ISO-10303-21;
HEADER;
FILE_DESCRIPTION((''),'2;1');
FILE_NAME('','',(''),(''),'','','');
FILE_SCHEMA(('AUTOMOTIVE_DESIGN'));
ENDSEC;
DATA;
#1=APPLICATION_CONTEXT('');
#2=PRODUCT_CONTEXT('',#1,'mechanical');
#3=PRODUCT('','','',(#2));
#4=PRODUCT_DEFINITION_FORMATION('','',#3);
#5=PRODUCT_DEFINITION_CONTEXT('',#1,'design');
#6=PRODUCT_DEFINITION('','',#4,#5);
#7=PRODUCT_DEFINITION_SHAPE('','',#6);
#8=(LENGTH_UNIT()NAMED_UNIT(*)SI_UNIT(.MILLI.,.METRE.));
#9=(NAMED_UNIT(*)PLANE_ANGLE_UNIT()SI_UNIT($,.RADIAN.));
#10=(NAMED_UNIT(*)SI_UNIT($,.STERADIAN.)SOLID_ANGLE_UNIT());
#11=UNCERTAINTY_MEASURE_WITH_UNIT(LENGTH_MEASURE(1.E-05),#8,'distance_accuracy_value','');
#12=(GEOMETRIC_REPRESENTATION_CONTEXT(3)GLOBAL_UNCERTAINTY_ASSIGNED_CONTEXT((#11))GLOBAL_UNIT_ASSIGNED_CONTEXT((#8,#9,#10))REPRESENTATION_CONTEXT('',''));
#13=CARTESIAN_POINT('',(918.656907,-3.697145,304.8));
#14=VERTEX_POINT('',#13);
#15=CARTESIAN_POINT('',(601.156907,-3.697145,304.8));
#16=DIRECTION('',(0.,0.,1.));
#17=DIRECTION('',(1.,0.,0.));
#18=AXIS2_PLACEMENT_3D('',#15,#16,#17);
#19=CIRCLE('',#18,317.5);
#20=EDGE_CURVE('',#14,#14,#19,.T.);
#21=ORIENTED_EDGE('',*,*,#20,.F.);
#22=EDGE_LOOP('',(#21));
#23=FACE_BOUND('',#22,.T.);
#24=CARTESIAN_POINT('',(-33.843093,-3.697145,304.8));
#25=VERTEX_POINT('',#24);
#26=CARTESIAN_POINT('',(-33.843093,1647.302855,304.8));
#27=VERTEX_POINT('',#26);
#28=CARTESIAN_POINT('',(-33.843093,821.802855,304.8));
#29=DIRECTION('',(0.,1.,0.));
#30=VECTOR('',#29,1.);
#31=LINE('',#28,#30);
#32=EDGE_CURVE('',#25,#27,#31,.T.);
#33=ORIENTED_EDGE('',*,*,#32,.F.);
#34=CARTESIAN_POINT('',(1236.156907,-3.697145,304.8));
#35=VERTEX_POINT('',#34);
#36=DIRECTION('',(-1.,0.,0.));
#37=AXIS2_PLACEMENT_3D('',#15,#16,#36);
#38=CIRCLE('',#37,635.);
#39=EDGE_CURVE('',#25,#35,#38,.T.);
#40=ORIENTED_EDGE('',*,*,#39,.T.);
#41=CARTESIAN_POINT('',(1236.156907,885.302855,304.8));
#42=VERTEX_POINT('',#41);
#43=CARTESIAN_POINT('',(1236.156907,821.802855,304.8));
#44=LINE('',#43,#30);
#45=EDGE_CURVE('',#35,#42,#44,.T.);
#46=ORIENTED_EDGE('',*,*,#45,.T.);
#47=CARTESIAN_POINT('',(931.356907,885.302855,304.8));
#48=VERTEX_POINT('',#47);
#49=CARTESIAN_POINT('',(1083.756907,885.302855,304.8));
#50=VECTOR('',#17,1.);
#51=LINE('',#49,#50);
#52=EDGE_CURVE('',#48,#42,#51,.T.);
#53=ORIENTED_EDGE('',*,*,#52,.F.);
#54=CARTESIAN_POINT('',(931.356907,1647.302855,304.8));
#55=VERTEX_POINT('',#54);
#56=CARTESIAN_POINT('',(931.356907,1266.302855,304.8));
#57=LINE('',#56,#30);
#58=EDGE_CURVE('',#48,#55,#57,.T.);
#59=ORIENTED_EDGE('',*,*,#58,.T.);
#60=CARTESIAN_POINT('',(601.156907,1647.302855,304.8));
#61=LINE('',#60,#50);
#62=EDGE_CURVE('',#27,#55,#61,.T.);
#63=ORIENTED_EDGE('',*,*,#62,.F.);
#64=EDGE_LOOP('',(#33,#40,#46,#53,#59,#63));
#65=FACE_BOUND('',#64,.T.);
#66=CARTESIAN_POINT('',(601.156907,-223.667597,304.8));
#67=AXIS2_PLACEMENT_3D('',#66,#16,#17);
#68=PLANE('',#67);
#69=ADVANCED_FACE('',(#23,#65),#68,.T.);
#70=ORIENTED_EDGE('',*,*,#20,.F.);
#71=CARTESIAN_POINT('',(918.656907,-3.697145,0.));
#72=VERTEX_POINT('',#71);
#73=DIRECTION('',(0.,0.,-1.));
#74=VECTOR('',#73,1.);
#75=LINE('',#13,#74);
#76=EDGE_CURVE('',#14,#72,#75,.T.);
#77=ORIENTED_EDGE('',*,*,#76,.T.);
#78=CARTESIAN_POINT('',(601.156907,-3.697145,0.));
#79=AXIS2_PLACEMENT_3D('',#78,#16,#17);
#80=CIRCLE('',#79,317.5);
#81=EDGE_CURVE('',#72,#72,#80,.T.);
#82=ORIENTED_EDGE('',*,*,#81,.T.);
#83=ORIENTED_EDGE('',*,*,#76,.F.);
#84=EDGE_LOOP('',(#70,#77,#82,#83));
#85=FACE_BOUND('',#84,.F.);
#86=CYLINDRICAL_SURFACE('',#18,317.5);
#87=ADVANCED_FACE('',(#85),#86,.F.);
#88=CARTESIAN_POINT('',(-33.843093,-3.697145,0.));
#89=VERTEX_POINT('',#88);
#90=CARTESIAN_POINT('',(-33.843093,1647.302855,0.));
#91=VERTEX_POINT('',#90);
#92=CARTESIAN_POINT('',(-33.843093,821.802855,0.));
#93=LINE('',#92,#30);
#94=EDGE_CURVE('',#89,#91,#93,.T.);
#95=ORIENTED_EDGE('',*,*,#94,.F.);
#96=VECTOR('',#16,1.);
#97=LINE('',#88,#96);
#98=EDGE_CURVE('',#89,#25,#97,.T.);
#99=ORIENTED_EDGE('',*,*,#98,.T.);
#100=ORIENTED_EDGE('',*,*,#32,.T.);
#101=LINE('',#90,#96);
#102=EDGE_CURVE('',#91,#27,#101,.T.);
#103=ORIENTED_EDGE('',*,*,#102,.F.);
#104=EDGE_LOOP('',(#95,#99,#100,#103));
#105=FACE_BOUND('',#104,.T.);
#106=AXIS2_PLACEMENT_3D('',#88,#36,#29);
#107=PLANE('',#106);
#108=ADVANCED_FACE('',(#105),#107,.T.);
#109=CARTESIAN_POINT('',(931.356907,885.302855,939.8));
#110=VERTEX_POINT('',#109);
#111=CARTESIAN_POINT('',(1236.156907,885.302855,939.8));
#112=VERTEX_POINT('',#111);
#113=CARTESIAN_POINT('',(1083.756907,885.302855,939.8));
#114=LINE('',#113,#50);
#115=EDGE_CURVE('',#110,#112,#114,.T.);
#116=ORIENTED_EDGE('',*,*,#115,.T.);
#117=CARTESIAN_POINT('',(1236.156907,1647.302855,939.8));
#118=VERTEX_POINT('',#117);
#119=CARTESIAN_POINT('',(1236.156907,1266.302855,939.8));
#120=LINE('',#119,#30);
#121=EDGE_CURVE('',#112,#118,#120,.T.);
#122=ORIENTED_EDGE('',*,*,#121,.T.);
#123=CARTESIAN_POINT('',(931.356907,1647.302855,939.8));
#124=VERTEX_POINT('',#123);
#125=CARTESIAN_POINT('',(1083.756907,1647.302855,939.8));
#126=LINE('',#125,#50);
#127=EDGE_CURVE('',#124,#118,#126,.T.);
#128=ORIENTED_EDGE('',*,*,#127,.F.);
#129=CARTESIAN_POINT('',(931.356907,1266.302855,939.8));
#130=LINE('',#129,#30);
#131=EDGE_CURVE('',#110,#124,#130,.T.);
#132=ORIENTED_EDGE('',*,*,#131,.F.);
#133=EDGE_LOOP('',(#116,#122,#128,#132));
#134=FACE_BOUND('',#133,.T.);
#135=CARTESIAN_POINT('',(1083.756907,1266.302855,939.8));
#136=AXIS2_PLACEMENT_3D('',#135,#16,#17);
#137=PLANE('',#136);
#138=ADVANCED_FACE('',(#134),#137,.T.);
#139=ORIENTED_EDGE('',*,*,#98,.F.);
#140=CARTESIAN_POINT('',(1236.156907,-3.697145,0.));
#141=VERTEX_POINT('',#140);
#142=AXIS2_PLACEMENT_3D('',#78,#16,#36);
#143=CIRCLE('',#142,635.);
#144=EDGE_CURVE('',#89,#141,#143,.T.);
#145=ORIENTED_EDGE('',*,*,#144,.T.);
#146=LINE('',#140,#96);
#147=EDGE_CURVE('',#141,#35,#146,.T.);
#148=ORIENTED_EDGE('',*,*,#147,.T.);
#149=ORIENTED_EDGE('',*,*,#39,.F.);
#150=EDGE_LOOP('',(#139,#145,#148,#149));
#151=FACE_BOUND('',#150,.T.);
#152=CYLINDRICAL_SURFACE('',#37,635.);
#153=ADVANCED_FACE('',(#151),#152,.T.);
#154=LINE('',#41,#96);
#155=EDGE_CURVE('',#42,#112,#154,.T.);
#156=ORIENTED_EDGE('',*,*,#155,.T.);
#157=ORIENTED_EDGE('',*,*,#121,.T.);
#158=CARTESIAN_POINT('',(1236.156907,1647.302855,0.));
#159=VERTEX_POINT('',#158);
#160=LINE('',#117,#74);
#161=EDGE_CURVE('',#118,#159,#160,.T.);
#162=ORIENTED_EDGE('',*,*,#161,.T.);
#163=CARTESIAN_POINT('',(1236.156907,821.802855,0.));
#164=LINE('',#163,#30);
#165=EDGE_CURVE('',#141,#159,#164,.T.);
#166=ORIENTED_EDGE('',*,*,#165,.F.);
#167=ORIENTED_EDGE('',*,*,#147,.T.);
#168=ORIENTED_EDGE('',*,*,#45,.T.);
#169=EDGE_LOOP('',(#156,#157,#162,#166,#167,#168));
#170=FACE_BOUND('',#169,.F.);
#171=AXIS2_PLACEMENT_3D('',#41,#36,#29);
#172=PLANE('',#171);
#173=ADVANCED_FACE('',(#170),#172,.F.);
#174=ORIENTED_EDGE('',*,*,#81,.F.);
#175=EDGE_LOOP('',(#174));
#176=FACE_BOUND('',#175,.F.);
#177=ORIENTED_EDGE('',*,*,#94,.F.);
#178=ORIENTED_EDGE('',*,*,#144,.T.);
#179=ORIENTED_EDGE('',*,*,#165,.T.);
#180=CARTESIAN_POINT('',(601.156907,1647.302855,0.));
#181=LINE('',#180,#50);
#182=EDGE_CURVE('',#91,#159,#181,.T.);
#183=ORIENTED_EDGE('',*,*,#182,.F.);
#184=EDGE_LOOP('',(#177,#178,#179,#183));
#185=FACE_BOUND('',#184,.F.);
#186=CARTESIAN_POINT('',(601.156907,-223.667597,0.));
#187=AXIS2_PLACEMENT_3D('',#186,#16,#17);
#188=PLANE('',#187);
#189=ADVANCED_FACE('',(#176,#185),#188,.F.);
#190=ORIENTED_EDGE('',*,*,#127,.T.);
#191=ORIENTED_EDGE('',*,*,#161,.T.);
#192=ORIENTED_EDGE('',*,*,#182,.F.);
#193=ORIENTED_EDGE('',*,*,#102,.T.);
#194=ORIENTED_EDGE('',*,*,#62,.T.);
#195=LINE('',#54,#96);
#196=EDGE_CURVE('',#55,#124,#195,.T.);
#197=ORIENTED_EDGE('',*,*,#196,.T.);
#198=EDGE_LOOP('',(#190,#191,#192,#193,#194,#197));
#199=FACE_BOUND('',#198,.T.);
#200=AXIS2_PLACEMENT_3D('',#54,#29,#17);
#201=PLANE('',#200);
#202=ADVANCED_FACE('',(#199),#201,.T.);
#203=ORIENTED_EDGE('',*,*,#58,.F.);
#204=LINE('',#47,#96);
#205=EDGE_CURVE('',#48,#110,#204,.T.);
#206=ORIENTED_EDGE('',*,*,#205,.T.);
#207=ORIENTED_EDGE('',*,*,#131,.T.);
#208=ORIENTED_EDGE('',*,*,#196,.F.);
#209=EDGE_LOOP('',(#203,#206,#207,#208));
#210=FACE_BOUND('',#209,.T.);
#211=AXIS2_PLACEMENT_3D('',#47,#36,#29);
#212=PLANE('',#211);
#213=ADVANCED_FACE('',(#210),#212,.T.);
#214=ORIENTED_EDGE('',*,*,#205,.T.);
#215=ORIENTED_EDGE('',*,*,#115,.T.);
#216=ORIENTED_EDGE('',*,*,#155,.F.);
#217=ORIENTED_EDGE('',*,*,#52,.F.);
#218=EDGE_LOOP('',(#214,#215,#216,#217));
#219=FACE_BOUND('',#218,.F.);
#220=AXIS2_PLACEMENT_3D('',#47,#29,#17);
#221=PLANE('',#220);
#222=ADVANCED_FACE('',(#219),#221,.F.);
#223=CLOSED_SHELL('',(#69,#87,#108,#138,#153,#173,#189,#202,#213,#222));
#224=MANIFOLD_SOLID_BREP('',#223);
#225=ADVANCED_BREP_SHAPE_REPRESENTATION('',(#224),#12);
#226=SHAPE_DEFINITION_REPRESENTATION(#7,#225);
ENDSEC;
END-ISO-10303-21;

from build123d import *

# Parameters (mm, degrees)
F0_W     = 1270
F0_H     = 1651
F1_DEPTH = 304.8
F2_W     = 304.8
F2_H     = 762
F3_DEPTH = 635
F5_DEPTH = 304.8
F6_R     = 317.5
F7_DEPTH = 304.8


with BuildPart() as f1:
    # F0 (on Top) → F1 (new body)
    with BuildSketch(Plane.XY):
        with Locations((601.1569073796, 821.8028554339)):
            Rectangle(F0_W, F0_H)
    extrude(amount=F1_DEPTH)

    # F2 (on face) → F3 (join)
    with BuildSketch(Plane.XY.offset(304.8)):
        with Locations((1083.7569073796, 1266.3028554339)):
            Rectangle(F2_W, F2_H)
    extrude(amount=F3_DEPTH)

    # F4 (on face) → F5 (join)
    with BuildSketch(Plane.XY.offset(304.8)):
        with BuildLine():
            ThreePointArc((-33.8430926204, -3.6971445661), (601.1569073796, -638.6971445661), (1236.1569073796, -3.6971445661))
            Line((1236.1569073796, -3.6971445661), (-33.8430926204, -3.6971445661))
        make_face()
    extrude(amount=-F5_DEPTH)

    # F6 (on face) → F7 (cut)
    with BuildSketch(Plane.XY.offset(304.8)):
        with Locations((601.1569073796, -3.6971445661)):
            Circle(F6_R)
    extrude(amount=-F7_DEPTH, mode=Mode.SUBTRACT)


solid = f1.part
